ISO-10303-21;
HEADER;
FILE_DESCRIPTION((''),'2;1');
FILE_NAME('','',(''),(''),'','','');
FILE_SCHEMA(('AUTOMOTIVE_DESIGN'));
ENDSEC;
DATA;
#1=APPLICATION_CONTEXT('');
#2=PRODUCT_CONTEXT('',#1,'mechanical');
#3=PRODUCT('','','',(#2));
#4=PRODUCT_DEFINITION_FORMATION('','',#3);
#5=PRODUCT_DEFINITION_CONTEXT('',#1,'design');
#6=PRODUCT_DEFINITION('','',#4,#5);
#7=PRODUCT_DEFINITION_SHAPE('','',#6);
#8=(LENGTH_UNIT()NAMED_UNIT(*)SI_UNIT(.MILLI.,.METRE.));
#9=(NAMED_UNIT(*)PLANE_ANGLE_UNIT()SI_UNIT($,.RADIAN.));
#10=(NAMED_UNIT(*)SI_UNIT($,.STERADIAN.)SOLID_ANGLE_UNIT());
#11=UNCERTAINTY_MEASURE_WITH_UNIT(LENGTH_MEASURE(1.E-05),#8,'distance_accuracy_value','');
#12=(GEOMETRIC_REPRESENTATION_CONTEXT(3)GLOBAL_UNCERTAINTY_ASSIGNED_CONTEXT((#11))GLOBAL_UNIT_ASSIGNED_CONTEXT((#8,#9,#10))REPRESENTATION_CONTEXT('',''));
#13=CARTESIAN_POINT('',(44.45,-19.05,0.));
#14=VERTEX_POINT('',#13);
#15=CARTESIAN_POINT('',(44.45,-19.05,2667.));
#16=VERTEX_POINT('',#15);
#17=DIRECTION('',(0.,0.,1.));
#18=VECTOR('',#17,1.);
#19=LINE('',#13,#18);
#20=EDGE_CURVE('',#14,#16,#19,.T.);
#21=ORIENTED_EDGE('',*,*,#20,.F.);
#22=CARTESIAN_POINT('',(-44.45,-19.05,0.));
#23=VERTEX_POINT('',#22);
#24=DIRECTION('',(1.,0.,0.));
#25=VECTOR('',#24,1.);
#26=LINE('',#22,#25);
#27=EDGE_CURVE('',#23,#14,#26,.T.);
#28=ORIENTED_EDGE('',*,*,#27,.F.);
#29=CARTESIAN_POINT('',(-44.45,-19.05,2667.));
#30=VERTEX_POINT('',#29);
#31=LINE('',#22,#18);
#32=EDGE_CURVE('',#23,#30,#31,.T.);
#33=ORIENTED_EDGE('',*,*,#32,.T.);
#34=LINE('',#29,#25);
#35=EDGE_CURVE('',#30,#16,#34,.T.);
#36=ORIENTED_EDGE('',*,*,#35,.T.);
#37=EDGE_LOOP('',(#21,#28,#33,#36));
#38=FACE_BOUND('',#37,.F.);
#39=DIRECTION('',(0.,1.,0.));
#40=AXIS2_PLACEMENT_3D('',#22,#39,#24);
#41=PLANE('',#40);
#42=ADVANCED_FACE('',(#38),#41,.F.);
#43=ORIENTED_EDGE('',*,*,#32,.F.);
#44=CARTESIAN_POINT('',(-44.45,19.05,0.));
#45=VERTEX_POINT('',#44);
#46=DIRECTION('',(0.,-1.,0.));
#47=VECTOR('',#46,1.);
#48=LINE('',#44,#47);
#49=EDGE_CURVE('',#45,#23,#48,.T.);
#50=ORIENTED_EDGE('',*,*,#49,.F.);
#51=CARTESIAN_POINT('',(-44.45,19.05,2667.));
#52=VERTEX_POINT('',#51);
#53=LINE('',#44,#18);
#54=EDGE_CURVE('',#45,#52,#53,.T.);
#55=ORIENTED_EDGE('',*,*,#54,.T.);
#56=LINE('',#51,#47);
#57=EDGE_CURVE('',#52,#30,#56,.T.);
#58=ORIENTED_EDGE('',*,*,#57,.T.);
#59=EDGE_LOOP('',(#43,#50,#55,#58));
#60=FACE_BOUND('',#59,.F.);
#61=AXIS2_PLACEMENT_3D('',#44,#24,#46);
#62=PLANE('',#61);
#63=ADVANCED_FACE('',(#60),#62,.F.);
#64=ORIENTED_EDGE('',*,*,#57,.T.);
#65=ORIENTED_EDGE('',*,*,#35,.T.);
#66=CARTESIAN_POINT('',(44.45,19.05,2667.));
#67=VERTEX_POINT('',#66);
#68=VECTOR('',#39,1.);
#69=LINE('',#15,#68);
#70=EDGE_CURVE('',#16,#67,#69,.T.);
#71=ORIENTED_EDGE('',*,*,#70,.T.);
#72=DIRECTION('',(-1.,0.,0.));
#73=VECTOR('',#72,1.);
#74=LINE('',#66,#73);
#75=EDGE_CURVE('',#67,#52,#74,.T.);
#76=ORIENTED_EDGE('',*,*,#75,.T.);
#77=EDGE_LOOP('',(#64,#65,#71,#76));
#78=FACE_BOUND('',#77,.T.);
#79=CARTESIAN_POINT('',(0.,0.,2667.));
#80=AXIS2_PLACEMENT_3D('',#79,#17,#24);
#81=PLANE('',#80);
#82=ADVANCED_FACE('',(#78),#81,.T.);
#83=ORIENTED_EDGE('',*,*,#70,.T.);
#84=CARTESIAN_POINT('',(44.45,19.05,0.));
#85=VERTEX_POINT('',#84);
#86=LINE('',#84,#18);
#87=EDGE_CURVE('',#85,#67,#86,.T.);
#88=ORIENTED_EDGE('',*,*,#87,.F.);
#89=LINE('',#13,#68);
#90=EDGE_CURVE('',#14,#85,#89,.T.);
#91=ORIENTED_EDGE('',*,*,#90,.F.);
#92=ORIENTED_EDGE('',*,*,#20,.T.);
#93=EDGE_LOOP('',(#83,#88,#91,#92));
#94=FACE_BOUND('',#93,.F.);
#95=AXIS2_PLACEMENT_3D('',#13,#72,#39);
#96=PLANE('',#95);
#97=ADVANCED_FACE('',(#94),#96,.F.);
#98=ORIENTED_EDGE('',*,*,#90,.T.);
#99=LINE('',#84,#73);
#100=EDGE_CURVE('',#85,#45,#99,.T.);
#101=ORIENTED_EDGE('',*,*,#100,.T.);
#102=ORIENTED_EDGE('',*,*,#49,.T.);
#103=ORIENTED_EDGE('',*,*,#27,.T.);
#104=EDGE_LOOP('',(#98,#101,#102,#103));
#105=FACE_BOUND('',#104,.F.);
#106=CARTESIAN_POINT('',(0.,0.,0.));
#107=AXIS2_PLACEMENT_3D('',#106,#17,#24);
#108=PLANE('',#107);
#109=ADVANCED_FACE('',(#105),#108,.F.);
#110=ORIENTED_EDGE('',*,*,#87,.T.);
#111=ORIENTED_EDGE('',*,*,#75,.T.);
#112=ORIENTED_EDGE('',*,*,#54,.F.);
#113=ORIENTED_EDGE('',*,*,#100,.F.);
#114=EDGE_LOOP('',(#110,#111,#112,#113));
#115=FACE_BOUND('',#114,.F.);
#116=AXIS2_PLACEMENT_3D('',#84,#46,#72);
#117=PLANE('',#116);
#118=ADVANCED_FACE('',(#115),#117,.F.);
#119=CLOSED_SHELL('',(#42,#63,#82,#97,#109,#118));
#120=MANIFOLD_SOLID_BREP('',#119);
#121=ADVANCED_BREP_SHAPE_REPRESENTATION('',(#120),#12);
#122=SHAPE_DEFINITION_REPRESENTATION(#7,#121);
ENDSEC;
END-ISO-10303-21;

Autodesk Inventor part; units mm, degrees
ref_plane "YZ Plane" through (0, 0, 0) normal (1, 0, 0) x (0, 1, 0)
ref_plane "XZ Plane" through (0, 0, 0) normal (0, 1, 0) x (-1, 0, 0)
ref_plane "XY Plane" through (0, 0, 0) normal (0, 0, 1) x (1, 0, 0)
sketch "Sketch1" plane through (0, 0, 0) normal (0, 0, 1) x (1, 0, 0)
  line L0 (-44.45, -19.05) -> (44.45, -19.05)
  line L1 (44.45, -19.05) -> (44.45, 19.05)
  line L2 (44.45, 19.05) -> (-44.45, 19.05)
  line L3 (-44.45, 19.05) -> (-44.45, -19.05)
  line L4 (-44.45, -19.05) -> (44.45, 19.05) construction
  line L5 (44.45, -19.05) -> (-44.45, 19.05) construction
  point P0 (0, 0)
  dimension "d0" = 88.9
  dimension "d1" = 38.1
extrude "Extrusion1" add sketch "Sketch1" along normal blind 2667
properties part number "2x4x105"
